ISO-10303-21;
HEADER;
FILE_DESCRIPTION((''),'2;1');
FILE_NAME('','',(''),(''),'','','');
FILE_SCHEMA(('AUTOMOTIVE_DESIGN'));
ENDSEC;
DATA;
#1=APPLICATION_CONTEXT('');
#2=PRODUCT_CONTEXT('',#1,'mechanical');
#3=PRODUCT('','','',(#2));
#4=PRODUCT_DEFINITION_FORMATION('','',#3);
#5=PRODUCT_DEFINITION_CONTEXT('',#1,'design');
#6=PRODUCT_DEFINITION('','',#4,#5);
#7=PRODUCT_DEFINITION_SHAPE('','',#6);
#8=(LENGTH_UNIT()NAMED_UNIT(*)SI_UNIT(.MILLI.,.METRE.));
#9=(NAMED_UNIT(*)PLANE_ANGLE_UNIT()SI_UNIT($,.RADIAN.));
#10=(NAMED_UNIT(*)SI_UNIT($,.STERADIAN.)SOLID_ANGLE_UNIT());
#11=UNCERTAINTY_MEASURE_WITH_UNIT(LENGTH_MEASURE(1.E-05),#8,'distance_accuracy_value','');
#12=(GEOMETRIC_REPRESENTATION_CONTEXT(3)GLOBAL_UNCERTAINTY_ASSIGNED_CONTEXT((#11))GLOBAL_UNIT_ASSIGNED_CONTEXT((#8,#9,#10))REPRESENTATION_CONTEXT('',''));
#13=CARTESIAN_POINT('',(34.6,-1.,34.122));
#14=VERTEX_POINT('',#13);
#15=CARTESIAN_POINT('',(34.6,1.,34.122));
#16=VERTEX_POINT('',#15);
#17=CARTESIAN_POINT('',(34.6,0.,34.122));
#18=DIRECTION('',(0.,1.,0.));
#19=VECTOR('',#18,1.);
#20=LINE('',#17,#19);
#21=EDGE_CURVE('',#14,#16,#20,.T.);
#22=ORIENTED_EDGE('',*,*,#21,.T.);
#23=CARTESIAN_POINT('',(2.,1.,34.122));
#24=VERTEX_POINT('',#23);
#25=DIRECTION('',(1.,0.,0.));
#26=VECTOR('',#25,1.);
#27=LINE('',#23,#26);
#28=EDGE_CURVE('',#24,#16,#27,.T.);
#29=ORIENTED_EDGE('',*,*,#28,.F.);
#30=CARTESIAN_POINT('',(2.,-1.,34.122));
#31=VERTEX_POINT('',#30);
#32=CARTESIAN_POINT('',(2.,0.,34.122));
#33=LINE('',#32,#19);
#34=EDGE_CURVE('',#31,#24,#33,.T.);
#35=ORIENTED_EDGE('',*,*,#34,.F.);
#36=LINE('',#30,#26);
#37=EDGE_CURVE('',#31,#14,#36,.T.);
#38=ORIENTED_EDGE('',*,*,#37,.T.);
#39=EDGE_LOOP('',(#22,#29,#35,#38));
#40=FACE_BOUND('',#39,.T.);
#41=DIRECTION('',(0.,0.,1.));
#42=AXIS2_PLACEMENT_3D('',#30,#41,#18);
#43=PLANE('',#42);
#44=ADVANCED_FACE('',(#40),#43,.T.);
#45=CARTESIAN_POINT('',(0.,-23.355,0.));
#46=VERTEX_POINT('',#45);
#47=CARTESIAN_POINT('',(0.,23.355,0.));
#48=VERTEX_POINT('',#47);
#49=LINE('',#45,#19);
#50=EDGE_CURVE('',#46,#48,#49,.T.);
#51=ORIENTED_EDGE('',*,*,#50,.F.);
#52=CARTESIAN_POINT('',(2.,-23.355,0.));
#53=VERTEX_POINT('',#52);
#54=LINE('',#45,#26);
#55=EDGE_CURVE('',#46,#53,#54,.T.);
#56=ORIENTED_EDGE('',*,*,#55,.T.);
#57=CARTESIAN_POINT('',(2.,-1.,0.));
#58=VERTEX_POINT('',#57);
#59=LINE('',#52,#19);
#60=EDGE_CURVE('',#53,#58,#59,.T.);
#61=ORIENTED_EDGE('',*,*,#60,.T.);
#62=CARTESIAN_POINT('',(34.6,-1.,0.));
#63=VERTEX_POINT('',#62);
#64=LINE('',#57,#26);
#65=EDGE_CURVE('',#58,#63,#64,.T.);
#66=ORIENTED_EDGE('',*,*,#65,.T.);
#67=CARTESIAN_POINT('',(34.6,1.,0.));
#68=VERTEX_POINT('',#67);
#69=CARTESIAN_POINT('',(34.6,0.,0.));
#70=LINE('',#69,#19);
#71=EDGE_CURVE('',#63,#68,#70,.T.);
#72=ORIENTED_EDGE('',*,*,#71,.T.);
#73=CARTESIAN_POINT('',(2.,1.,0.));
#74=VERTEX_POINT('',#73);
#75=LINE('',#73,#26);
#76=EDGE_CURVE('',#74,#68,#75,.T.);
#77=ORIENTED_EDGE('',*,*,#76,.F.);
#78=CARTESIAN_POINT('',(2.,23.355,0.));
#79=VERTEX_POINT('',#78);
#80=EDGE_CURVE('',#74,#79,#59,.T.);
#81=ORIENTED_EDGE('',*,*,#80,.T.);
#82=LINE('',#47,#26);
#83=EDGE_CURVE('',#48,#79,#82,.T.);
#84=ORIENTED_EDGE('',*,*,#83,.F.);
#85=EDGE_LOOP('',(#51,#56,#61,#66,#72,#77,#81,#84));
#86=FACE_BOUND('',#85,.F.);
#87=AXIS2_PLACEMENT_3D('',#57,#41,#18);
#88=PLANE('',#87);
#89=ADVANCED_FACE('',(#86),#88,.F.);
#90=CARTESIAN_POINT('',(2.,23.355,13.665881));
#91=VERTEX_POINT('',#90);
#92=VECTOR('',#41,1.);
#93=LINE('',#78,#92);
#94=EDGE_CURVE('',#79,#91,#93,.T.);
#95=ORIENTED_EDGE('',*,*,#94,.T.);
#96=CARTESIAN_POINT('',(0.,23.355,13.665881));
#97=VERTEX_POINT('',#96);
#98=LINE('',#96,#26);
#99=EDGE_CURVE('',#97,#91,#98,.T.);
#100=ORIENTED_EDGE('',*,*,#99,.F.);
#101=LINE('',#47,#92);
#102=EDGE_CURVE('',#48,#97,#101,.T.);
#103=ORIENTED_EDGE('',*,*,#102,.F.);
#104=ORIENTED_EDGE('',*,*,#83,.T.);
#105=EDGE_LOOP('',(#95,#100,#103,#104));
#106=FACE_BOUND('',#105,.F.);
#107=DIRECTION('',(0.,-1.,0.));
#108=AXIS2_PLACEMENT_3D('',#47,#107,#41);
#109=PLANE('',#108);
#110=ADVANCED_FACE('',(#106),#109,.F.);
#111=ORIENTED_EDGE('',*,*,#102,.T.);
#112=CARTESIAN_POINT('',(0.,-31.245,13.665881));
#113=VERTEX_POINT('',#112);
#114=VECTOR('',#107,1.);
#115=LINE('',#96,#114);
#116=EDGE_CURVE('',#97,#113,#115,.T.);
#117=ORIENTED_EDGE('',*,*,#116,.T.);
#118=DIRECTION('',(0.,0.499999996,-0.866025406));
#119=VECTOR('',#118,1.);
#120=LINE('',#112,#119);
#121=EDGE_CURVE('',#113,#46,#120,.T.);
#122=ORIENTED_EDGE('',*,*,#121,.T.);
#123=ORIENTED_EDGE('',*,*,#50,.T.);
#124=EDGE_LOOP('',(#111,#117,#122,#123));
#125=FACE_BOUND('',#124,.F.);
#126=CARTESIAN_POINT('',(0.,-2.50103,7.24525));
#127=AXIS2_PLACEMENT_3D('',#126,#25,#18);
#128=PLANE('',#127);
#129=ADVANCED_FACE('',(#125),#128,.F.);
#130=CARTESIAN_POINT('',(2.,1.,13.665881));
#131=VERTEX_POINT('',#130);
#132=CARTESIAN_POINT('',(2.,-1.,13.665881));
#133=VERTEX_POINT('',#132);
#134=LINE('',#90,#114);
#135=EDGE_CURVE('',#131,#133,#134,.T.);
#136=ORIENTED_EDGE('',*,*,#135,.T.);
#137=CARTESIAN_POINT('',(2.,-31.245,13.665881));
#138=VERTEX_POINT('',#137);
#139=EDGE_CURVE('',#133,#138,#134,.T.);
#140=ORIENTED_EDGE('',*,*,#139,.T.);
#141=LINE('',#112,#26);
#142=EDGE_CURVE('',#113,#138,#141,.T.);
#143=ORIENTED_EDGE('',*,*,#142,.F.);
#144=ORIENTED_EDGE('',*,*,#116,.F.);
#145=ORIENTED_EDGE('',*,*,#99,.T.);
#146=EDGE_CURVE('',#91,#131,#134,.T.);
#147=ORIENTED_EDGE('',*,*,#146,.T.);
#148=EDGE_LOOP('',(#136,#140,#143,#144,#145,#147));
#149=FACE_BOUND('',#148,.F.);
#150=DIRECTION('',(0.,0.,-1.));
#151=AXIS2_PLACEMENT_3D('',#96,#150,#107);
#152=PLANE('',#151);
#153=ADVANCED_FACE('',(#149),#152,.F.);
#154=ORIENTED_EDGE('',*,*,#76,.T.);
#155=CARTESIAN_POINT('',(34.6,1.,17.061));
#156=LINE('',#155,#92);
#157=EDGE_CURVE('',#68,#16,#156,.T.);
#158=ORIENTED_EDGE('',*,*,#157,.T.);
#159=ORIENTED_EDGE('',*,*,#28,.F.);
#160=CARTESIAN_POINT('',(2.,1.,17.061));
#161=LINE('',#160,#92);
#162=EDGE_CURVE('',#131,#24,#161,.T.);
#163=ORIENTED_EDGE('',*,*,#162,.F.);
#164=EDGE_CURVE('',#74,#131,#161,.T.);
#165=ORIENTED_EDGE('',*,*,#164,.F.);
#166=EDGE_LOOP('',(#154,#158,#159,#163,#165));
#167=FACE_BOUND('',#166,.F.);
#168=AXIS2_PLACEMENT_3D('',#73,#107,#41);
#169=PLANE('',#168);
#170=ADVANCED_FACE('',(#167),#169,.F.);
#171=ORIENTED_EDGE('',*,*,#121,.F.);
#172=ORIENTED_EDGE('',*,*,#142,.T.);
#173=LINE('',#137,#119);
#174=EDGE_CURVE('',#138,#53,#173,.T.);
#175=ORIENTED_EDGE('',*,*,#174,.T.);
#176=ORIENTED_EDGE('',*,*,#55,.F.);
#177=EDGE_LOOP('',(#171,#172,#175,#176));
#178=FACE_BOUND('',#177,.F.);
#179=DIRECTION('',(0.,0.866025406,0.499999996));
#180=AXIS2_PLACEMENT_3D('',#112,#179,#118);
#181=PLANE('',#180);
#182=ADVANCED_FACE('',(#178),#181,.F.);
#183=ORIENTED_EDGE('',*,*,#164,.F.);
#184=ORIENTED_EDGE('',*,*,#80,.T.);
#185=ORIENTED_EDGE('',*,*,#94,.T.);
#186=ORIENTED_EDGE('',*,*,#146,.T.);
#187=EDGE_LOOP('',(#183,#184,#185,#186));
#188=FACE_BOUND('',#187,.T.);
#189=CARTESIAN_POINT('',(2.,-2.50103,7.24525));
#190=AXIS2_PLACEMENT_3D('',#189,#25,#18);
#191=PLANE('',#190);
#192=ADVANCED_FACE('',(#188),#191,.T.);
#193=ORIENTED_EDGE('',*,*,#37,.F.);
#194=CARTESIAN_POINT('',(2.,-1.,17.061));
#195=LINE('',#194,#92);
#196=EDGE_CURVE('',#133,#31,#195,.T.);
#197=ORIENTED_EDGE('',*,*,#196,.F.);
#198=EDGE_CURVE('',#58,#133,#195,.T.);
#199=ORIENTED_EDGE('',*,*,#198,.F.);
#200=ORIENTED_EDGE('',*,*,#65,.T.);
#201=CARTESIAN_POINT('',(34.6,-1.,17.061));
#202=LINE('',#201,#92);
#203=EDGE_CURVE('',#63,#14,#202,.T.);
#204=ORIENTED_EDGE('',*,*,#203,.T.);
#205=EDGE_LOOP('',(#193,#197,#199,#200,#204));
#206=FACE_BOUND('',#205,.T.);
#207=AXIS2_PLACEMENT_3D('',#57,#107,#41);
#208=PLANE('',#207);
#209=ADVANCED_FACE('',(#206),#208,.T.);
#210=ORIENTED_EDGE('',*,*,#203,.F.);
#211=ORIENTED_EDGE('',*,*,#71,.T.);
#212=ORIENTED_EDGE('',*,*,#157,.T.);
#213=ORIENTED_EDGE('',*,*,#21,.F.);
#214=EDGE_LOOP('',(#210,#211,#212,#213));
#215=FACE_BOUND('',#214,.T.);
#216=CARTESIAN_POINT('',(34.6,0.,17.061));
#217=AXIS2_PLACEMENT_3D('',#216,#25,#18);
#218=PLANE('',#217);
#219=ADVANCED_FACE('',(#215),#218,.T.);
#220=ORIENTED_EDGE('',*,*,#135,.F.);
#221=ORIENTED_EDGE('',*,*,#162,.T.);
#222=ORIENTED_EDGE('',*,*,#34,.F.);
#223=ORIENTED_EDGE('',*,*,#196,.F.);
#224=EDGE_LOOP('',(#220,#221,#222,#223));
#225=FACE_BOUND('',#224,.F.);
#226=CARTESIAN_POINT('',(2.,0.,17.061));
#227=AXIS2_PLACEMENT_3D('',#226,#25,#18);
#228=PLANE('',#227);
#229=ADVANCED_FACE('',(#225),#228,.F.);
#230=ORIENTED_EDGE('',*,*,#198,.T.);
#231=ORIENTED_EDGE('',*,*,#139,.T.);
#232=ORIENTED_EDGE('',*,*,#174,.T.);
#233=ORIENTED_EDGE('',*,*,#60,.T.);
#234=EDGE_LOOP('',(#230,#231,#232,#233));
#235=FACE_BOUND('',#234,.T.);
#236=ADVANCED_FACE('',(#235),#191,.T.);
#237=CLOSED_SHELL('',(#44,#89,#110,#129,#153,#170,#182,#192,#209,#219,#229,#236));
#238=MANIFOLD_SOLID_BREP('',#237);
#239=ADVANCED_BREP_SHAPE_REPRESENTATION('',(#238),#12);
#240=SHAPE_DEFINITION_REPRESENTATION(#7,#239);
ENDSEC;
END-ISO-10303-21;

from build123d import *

# Parameters (mm, degrees)
PAD_DEPTH    = 2
SKETCH001_W  = 2
SKETCH001_H  = 34.122
PAD001_DEPTH = 32.6


with BuildPart() as part:
    # Sketch → Pad (new body)
    with BuildSketch(Plane.YZ):
        Polygon((-23.355, 0), (23.355, 0), (23.355, 13.665881), (-31.245, 13.665881), align=None)
    extrude(amount=PAD_DEPTH)

    # Sketch001 (on Face6 of Pad) → Pad001 (join)
    with BuildSketch(Plane.YZ.offset(2)):
        with Locations((0, 17.061)):
            Rectangle(SKETCH001_W, SKETCH001_H)
    extrude(amount=PAD001_DEPTH)


solid = part.part
